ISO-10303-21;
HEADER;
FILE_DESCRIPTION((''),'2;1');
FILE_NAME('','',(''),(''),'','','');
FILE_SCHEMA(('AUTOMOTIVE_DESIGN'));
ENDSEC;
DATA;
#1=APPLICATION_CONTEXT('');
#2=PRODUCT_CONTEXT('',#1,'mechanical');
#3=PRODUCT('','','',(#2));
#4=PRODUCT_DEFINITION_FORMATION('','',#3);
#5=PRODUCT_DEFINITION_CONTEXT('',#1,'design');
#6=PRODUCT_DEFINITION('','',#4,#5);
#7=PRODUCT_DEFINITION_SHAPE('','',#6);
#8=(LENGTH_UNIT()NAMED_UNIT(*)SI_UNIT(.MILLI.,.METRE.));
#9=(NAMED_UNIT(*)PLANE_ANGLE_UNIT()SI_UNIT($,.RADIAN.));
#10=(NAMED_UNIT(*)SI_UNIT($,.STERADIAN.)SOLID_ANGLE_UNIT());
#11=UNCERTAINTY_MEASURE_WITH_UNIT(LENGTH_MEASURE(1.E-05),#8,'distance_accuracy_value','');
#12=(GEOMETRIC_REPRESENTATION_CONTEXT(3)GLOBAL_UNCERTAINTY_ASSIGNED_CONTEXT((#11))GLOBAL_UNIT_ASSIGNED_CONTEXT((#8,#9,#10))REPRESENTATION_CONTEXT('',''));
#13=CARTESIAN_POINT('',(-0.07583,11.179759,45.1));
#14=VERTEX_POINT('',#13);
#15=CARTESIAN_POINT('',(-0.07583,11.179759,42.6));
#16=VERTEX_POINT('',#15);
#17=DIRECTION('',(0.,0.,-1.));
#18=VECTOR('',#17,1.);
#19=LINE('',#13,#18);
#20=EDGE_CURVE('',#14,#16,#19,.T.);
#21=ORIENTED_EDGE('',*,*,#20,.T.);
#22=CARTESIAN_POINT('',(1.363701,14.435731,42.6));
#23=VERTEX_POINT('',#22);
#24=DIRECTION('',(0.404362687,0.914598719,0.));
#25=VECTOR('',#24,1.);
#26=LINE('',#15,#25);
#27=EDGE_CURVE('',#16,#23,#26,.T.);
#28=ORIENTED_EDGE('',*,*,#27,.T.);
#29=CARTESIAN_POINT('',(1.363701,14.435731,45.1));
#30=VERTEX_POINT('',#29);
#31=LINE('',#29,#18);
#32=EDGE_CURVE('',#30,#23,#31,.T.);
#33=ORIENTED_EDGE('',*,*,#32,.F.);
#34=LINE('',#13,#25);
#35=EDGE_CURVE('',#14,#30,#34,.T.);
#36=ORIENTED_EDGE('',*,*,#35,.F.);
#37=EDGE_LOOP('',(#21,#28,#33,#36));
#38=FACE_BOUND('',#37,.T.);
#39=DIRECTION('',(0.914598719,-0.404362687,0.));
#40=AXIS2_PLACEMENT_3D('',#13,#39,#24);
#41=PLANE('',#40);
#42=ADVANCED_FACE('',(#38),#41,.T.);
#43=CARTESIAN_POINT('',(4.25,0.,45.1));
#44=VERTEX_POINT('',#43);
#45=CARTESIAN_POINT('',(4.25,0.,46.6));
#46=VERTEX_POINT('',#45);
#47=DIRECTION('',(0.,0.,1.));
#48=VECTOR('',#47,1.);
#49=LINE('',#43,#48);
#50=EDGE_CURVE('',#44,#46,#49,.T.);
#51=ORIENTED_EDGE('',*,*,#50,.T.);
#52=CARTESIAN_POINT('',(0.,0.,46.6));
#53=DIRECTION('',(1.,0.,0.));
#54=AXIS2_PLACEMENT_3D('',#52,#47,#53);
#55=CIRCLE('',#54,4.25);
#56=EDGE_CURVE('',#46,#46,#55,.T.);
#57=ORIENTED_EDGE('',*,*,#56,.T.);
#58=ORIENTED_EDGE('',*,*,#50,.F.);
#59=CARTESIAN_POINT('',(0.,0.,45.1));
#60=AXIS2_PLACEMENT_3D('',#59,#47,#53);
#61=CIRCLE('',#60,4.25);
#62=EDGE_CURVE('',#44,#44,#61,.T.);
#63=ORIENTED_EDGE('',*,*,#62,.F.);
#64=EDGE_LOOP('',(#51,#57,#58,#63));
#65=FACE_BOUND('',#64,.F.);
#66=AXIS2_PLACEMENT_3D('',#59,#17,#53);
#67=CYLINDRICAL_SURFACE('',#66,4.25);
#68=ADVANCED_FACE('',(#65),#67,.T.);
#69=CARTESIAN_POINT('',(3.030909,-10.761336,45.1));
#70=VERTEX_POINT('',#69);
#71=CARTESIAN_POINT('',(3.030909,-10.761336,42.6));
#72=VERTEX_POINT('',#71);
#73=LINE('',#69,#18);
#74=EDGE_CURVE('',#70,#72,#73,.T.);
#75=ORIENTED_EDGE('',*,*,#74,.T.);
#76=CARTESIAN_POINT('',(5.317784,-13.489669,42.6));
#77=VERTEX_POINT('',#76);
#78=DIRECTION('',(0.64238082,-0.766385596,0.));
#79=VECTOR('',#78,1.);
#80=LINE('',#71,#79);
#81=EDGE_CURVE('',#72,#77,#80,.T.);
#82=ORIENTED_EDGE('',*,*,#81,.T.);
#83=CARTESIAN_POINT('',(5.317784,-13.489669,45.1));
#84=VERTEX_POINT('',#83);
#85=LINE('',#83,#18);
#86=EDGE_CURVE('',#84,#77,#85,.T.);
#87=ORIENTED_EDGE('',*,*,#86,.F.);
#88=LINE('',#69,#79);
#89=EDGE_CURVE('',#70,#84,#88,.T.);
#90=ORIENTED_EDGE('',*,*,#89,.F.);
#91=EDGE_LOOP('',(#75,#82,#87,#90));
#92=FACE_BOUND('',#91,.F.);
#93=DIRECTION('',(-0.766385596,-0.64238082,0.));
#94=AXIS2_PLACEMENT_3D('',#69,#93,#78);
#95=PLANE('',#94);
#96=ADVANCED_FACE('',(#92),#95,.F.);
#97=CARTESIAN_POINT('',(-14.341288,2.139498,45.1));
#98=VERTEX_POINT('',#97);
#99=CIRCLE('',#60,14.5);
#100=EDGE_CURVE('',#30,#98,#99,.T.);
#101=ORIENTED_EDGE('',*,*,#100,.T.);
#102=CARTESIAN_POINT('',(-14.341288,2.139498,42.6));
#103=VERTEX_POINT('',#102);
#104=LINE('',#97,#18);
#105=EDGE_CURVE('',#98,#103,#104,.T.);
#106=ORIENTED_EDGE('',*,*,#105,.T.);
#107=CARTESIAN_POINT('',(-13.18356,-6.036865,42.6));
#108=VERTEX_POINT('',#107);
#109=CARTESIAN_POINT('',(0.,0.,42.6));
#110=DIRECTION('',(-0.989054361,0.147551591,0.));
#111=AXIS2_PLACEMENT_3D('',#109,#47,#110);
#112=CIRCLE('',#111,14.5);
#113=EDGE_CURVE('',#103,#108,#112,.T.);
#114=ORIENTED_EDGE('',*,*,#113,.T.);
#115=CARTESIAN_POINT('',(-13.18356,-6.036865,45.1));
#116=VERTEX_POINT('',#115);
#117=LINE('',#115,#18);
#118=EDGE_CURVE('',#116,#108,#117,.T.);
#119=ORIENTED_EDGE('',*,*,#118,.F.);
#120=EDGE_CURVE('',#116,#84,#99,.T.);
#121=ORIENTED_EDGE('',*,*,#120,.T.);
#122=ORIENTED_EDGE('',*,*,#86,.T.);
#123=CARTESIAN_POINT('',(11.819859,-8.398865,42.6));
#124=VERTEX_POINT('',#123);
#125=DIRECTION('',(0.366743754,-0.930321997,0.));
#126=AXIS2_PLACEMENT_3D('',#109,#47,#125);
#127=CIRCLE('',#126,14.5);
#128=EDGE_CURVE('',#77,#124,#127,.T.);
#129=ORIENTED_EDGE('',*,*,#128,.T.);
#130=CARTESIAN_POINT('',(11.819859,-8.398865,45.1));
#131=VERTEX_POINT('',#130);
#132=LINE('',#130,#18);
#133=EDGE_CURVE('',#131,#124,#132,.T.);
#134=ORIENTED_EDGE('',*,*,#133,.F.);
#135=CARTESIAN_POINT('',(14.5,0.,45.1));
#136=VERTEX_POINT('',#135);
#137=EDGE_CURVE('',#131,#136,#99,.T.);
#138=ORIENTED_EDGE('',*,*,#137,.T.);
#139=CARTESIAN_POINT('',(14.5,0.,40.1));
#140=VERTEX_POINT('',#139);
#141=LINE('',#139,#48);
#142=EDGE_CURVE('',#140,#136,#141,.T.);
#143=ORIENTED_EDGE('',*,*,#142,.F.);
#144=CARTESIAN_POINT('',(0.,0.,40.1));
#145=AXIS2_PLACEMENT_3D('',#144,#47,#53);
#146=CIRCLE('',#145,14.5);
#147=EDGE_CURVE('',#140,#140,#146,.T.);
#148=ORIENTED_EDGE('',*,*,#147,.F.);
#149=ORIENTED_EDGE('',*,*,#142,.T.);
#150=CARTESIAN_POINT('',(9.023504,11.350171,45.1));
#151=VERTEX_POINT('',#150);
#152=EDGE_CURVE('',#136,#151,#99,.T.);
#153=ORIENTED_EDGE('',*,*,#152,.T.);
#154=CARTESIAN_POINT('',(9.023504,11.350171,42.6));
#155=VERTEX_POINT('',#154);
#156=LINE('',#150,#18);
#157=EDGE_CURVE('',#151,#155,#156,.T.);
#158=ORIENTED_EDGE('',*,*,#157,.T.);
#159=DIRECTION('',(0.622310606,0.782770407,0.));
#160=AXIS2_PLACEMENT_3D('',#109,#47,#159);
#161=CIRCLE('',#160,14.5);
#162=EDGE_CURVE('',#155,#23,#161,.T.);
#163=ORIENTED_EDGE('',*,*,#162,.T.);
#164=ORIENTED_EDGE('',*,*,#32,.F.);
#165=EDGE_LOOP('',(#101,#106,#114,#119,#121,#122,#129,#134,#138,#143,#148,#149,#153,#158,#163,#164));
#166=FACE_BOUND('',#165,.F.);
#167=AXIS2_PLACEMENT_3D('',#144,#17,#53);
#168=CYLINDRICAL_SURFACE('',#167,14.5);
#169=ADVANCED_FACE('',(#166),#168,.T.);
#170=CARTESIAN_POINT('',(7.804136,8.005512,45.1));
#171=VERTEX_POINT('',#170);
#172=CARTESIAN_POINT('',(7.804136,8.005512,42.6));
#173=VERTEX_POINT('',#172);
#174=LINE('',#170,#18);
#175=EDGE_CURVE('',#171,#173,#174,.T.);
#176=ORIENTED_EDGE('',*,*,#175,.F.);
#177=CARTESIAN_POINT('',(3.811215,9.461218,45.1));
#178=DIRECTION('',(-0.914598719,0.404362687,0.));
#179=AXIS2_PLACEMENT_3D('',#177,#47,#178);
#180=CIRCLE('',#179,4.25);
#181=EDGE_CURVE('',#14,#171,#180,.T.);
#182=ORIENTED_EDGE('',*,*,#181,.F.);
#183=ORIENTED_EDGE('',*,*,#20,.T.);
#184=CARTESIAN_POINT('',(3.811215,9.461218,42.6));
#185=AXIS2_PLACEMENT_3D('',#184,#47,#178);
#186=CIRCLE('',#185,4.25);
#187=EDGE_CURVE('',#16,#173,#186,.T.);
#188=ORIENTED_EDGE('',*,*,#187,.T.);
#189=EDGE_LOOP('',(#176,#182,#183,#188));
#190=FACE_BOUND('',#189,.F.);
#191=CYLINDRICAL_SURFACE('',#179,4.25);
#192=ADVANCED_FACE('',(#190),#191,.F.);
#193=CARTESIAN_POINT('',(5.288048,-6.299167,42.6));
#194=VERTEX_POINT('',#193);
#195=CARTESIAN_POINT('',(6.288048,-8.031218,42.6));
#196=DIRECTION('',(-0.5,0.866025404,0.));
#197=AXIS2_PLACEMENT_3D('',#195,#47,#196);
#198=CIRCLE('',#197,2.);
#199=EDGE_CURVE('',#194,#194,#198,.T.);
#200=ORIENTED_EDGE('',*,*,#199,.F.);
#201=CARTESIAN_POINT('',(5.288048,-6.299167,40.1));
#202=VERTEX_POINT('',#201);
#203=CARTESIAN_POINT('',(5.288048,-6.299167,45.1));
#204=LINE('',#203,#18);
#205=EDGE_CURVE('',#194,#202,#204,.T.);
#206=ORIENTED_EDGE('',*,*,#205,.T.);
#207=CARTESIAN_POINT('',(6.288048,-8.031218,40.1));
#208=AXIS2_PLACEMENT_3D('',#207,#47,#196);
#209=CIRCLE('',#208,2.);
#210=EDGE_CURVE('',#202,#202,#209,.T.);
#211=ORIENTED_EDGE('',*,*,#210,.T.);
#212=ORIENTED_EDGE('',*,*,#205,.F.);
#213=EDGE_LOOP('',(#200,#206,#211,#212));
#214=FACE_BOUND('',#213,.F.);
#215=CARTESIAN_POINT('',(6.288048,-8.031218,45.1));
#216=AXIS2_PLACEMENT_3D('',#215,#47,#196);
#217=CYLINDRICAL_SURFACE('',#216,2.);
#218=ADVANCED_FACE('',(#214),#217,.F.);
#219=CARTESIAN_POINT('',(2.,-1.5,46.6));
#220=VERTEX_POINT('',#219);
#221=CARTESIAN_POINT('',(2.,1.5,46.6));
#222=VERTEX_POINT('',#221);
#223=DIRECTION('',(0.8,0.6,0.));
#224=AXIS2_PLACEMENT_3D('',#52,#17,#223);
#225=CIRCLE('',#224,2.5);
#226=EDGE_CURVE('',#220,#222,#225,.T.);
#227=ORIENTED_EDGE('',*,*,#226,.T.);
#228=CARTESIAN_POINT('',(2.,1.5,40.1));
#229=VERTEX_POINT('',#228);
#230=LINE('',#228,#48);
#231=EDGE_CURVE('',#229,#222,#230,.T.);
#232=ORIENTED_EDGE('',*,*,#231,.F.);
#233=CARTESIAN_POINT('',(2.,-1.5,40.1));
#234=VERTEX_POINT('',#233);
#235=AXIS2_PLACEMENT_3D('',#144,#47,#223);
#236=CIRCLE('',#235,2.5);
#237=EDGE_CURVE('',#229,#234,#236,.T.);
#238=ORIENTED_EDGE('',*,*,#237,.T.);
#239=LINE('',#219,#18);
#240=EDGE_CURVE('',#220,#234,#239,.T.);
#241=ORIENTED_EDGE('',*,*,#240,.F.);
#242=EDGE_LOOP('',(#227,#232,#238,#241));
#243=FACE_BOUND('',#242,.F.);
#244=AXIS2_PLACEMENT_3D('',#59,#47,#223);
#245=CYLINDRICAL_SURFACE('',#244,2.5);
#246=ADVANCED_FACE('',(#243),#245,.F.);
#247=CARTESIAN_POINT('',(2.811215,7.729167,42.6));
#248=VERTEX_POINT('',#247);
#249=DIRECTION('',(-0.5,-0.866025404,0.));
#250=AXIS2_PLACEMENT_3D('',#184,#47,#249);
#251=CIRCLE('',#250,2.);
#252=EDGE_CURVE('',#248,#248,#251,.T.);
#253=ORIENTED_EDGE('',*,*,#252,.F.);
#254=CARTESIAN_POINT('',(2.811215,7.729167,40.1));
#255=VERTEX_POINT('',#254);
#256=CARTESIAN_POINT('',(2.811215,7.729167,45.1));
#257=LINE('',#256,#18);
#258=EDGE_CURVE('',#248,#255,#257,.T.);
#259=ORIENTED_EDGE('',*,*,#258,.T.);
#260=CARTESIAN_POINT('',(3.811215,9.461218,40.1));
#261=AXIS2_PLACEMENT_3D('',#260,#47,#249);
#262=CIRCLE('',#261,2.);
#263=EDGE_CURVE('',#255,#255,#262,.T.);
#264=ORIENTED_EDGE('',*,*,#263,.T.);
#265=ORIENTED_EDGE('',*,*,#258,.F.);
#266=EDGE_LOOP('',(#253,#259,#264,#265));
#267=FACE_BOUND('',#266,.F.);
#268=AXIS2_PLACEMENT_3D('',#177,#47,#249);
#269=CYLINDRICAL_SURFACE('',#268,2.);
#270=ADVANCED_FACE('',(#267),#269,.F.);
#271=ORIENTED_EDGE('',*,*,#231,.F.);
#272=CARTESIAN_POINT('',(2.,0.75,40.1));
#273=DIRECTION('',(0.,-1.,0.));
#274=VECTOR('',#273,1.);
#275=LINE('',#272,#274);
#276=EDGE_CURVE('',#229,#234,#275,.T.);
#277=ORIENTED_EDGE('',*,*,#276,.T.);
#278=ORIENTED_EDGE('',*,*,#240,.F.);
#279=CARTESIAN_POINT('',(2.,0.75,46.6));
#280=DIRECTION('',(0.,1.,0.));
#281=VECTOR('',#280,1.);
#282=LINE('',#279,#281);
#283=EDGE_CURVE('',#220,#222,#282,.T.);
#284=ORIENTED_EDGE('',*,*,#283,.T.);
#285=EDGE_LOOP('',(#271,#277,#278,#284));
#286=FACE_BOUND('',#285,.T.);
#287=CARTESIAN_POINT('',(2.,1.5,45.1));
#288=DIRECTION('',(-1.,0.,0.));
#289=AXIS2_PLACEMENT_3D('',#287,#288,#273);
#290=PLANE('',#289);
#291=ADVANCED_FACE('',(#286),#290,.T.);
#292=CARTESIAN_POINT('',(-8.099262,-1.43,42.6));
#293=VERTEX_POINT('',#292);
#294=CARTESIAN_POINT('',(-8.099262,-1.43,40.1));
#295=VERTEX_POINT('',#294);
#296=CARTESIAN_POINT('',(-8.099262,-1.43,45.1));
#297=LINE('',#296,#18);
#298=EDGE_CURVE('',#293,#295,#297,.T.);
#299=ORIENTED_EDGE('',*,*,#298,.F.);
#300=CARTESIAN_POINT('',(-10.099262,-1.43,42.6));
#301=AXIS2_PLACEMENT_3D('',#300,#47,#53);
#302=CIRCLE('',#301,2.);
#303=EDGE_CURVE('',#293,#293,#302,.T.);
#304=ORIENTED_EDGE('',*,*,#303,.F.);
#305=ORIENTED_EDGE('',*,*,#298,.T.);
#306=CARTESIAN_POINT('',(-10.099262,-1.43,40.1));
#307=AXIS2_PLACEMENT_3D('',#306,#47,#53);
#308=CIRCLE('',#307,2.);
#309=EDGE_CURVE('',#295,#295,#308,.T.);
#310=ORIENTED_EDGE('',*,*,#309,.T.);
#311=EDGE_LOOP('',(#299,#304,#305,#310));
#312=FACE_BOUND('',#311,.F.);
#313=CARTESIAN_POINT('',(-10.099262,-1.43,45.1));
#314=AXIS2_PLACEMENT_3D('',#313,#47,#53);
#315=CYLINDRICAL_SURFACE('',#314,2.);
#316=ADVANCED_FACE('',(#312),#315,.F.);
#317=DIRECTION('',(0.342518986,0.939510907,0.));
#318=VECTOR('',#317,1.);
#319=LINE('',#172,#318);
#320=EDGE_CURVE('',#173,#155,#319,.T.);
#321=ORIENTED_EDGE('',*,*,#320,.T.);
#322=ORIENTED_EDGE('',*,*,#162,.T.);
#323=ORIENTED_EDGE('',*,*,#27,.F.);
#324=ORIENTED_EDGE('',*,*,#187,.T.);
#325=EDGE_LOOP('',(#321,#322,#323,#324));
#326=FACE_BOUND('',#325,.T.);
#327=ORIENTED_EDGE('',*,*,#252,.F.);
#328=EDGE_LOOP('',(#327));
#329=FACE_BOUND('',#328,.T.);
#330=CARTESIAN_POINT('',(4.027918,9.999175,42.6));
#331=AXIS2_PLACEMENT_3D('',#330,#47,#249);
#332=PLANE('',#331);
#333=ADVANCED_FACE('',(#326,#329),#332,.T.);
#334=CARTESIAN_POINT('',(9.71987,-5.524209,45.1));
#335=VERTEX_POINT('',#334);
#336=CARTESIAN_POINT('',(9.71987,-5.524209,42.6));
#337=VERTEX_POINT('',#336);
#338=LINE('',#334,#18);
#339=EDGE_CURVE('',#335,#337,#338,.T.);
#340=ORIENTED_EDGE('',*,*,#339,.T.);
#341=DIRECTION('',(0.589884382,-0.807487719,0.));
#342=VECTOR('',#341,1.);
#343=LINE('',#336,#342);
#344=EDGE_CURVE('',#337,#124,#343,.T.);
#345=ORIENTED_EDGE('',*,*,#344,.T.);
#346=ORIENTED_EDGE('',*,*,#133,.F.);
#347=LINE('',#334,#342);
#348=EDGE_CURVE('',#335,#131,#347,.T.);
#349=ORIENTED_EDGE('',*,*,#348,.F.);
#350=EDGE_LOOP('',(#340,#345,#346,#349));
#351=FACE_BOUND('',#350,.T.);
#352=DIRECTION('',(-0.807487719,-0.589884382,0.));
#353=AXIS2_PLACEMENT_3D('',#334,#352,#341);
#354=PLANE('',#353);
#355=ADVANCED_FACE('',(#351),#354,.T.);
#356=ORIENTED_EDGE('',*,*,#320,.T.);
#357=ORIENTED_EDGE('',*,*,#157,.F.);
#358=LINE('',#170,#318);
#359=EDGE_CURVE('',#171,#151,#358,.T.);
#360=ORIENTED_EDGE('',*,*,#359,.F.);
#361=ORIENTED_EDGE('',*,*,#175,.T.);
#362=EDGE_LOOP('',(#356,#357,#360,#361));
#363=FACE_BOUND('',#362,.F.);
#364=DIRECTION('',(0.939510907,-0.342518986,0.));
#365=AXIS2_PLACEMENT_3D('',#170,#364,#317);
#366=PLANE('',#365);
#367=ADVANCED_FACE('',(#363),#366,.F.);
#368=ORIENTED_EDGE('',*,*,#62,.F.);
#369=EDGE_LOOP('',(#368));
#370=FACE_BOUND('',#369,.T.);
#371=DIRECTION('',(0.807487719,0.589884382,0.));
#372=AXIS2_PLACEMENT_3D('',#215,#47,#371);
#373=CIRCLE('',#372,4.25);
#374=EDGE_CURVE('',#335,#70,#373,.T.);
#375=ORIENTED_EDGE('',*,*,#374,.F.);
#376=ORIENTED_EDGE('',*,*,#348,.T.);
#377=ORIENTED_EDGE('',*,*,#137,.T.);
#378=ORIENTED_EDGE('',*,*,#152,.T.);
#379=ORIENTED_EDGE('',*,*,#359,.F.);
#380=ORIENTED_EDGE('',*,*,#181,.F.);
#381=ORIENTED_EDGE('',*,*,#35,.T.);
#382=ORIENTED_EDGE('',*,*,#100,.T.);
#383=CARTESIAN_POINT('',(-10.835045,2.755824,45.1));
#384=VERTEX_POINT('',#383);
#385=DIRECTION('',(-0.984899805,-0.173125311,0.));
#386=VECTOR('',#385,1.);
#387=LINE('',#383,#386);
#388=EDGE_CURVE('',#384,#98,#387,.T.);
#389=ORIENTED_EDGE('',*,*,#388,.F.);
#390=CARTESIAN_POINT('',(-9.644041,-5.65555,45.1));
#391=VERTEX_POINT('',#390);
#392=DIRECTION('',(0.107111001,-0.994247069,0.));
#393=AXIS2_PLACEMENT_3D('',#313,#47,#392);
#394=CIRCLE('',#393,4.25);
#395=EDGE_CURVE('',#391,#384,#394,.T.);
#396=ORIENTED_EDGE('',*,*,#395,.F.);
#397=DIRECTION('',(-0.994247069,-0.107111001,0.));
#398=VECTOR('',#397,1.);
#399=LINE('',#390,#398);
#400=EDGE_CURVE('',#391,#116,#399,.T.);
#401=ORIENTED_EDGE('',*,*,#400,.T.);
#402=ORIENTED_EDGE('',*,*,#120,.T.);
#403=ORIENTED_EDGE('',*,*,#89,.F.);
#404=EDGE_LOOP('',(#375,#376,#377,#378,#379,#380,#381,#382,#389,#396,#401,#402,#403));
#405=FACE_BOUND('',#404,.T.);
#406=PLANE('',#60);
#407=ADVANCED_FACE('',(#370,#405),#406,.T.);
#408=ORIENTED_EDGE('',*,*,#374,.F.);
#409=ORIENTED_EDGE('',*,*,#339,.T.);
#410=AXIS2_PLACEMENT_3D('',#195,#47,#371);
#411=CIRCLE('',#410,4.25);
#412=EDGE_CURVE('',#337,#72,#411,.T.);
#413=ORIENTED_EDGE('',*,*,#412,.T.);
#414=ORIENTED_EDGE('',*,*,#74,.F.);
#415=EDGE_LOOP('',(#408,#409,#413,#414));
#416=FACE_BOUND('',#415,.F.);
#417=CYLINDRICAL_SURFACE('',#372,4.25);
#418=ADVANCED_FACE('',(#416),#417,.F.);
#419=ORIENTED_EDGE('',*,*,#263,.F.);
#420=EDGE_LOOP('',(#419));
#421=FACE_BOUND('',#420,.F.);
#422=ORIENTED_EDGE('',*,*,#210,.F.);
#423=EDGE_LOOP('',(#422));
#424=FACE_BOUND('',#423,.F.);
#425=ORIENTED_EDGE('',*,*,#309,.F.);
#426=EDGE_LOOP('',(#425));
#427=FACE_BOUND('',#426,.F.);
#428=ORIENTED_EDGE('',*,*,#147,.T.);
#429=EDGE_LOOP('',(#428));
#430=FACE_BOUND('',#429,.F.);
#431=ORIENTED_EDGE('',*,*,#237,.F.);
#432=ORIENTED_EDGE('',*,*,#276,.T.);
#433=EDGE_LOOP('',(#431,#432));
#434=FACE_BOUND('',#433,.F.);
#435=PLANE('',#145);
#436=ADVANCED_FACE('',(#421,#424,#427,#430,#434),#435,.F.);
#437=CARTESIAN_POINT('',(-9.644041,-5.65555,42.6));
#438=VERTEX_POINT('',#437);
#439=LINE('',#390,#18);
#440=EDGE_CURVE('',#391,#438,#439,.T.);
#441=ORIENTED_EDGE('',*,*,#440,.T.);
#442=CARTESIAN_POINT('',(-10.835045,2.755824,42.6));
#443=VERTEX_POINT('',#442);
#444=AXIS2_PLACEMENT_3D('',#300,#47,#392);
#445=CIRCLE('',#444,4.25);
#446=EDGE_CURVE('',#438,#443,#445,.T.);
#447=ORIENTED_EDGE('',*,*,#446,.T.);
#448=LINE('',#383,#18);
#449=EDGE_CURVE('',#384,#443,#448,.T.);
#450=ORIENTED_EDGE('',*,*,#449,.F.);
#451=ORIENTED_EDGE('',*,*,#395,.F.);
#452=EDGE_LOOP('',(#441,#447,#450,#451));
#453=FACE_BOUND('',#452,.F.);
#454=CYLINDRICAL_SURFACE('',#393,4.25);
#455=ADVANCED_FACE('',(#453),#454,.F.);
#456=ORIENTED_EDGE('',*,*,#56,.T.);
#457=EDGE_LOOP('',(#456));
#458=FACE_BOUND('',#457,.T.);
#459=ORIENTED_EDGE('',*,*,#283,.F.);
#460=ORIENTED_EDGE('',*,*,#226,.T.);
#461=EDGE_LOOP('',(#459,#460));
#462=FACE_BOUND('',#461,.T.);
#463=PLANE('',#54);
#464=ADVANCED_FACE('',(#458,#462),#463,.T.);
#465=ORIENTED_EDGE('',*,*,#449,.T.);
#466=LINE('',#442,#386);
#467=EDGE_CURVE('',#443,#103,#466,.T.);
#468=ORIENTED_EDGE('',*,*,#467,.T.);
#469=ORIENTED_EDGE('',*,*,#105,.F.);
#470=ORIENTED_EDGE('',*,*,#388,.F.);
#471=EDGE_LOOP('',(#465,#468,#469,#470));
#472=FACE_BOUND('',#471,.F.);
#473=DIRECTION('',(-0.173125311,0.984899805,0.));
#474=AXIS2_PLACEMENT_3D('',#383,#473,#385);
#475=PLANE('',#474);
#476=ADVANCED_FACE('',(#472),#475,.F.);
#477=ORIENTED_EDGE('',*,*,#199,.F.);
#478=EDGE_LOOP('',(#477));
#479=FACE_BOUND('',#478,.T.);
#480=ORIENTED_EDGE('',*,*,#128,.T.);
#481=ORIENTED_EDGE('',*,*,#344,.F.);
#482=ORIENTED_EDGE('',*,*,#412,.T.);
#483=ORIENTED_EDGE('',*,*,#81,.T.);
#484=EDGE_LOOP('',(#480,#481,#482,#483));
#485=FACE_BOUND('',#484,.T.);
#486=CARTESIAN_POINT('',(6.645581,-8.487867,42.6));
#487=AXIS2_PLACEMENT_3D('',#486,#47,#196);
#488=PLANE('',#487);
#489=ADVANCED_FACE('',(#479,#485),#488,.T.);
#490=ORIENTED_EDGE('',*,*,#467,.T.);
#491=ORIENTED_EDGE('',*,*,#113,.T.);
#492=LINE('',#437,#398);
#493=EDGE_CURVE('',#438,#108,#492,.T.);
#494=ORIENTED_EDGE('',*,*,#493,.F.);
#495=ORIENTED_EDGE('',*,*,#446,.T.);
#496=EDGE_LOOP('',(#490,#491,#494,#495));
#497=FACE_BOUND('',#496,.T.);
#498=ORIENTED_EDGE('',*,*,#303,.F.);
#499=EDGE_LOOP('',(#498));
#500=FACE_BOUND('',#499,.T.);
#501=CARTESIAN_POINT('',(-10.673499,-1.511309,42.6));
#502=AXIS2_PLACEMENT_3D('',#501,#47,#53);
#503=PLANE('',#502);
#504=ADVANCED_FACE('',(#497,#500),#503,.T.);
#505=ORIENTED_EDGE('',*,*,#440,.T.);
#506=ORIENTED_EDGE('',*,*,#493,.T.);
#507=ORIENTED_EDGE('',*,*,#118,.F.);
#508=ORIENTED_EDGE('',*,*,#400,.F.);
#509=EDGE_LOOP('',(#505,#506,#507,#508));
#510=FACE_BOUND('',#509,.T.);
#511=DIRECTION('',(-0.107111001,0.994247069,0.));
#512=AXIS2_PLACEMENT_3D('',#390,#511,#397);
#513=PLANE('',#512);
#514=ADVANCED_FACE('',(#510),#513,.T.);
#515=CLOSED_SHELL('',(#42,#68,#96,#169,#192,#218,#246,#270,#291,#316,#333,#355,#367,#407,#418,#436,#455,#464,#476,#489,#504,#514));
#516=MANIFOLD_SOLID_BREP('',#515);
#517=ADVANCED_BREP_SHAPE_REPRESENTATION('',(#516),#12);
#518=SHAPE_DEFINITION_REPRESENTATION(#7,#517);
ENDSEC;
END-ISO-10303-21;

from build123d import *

# Parameters (mm, degrees)
SKETCH034_R          = 14.5
PAD014_DEPTH         = 5
SKETCH035_R          = 4.25
PAD015_DEPTH         = 1.5
SKETCH036_R          = 2
POCKET019_DEPTH      = 88.049178788
POCKET020_DEPTH      = 2.5
POLARPATTERN_COUNT   = 3
POCKET021_DEPTH      = 5.001
POCKET021_DEPTH_BACK = 1.501


with BuildPart() as part:
    # Sketch034 → Pad014 (new body)
    with BuildSketch(Plane.XY.offset(40.1)):
        Circle(SKETCH034_R)
    extrude(amount=PAD014_DEPTH)

    # Sketch035 → Pad015 (join)
    with BuildSketch(Plane.XY.offset(45.1)):
        Circle(SKETCH035_R)
    extrude(amount=PAD015_DEPTH)

    # Sketch036 → Pocket019 (cut, through all)
    with BuildSketch(Plane.XY.offset(45.1)):
        with Locations((-10.0992623493, -1.43)):
            Circle(SKETCH036_R)
    pocket019 = extrude(amount=-POCKET019_DEPTH, mode=Mode.SUBTRACT)

    # Sketch037 → Pocket020 (cut)
    with BuildSketch(Plane.XY.offset(45.1)):
        with BuildLine():
            ThreePointArc((-9.644040596, -5.6555500417), (-5.8912363704, -0.8341666667), (-10.83504492, 2.7558241732))
            Line((-10.83504492, 2.7558241732), (-14.3412882274, 2.1394980669))
            ThreePointArc((-14.3412882274, 2.1394980669), (-14.3567945162, -2.0328431373), (-13.1835601604, -6.0368652045))
            Line((-9.644040596, -5.6555500417), (-13.1835601604, -6.0368652045))
        make_face()
    pocket020 = extrude(amount=-POCKET020_DEPTH, mode=Mode.SUBTRACT)

    # PolarPattern: Pocket019, Pocket020 ×3 about axis
    polarpattern_axis = Axis((0, 0, 45.1), (0, 0, 1))
    for i in range(1, POLARPATTERN_COUNT):
        add(pocket019.rotate(polarpattern_axis, i * 360 / POLARPATTERN_COUNT), mode=Mode.SUBTRACT)
        add(pocket020.rotate(polarpattern_axis, i * 360 / POLARPATTERN_COUNT), mode=Mode.SUBTRACT)

    # Sketch038 → Pocket021 (cut, two sides)
    with BuildSketch(Plane.XY.offset(45.1)) as pocket021_sk:
        with BuildLine():
            Line((2, 1.5), (2, -1.5))
            ThreePointArc((2, 1.5), (-2.5, 0), (2, -1.5))
        make_face()
    extrude(amount=-POCKET021_DEPTH, mode=Mode.SUBTRACT)
    extrude(pocket021_sk.sketch, amount=POCKET021_DEPTH_BACK, mode=Mode.SUBTRACT)


solid = part.part
